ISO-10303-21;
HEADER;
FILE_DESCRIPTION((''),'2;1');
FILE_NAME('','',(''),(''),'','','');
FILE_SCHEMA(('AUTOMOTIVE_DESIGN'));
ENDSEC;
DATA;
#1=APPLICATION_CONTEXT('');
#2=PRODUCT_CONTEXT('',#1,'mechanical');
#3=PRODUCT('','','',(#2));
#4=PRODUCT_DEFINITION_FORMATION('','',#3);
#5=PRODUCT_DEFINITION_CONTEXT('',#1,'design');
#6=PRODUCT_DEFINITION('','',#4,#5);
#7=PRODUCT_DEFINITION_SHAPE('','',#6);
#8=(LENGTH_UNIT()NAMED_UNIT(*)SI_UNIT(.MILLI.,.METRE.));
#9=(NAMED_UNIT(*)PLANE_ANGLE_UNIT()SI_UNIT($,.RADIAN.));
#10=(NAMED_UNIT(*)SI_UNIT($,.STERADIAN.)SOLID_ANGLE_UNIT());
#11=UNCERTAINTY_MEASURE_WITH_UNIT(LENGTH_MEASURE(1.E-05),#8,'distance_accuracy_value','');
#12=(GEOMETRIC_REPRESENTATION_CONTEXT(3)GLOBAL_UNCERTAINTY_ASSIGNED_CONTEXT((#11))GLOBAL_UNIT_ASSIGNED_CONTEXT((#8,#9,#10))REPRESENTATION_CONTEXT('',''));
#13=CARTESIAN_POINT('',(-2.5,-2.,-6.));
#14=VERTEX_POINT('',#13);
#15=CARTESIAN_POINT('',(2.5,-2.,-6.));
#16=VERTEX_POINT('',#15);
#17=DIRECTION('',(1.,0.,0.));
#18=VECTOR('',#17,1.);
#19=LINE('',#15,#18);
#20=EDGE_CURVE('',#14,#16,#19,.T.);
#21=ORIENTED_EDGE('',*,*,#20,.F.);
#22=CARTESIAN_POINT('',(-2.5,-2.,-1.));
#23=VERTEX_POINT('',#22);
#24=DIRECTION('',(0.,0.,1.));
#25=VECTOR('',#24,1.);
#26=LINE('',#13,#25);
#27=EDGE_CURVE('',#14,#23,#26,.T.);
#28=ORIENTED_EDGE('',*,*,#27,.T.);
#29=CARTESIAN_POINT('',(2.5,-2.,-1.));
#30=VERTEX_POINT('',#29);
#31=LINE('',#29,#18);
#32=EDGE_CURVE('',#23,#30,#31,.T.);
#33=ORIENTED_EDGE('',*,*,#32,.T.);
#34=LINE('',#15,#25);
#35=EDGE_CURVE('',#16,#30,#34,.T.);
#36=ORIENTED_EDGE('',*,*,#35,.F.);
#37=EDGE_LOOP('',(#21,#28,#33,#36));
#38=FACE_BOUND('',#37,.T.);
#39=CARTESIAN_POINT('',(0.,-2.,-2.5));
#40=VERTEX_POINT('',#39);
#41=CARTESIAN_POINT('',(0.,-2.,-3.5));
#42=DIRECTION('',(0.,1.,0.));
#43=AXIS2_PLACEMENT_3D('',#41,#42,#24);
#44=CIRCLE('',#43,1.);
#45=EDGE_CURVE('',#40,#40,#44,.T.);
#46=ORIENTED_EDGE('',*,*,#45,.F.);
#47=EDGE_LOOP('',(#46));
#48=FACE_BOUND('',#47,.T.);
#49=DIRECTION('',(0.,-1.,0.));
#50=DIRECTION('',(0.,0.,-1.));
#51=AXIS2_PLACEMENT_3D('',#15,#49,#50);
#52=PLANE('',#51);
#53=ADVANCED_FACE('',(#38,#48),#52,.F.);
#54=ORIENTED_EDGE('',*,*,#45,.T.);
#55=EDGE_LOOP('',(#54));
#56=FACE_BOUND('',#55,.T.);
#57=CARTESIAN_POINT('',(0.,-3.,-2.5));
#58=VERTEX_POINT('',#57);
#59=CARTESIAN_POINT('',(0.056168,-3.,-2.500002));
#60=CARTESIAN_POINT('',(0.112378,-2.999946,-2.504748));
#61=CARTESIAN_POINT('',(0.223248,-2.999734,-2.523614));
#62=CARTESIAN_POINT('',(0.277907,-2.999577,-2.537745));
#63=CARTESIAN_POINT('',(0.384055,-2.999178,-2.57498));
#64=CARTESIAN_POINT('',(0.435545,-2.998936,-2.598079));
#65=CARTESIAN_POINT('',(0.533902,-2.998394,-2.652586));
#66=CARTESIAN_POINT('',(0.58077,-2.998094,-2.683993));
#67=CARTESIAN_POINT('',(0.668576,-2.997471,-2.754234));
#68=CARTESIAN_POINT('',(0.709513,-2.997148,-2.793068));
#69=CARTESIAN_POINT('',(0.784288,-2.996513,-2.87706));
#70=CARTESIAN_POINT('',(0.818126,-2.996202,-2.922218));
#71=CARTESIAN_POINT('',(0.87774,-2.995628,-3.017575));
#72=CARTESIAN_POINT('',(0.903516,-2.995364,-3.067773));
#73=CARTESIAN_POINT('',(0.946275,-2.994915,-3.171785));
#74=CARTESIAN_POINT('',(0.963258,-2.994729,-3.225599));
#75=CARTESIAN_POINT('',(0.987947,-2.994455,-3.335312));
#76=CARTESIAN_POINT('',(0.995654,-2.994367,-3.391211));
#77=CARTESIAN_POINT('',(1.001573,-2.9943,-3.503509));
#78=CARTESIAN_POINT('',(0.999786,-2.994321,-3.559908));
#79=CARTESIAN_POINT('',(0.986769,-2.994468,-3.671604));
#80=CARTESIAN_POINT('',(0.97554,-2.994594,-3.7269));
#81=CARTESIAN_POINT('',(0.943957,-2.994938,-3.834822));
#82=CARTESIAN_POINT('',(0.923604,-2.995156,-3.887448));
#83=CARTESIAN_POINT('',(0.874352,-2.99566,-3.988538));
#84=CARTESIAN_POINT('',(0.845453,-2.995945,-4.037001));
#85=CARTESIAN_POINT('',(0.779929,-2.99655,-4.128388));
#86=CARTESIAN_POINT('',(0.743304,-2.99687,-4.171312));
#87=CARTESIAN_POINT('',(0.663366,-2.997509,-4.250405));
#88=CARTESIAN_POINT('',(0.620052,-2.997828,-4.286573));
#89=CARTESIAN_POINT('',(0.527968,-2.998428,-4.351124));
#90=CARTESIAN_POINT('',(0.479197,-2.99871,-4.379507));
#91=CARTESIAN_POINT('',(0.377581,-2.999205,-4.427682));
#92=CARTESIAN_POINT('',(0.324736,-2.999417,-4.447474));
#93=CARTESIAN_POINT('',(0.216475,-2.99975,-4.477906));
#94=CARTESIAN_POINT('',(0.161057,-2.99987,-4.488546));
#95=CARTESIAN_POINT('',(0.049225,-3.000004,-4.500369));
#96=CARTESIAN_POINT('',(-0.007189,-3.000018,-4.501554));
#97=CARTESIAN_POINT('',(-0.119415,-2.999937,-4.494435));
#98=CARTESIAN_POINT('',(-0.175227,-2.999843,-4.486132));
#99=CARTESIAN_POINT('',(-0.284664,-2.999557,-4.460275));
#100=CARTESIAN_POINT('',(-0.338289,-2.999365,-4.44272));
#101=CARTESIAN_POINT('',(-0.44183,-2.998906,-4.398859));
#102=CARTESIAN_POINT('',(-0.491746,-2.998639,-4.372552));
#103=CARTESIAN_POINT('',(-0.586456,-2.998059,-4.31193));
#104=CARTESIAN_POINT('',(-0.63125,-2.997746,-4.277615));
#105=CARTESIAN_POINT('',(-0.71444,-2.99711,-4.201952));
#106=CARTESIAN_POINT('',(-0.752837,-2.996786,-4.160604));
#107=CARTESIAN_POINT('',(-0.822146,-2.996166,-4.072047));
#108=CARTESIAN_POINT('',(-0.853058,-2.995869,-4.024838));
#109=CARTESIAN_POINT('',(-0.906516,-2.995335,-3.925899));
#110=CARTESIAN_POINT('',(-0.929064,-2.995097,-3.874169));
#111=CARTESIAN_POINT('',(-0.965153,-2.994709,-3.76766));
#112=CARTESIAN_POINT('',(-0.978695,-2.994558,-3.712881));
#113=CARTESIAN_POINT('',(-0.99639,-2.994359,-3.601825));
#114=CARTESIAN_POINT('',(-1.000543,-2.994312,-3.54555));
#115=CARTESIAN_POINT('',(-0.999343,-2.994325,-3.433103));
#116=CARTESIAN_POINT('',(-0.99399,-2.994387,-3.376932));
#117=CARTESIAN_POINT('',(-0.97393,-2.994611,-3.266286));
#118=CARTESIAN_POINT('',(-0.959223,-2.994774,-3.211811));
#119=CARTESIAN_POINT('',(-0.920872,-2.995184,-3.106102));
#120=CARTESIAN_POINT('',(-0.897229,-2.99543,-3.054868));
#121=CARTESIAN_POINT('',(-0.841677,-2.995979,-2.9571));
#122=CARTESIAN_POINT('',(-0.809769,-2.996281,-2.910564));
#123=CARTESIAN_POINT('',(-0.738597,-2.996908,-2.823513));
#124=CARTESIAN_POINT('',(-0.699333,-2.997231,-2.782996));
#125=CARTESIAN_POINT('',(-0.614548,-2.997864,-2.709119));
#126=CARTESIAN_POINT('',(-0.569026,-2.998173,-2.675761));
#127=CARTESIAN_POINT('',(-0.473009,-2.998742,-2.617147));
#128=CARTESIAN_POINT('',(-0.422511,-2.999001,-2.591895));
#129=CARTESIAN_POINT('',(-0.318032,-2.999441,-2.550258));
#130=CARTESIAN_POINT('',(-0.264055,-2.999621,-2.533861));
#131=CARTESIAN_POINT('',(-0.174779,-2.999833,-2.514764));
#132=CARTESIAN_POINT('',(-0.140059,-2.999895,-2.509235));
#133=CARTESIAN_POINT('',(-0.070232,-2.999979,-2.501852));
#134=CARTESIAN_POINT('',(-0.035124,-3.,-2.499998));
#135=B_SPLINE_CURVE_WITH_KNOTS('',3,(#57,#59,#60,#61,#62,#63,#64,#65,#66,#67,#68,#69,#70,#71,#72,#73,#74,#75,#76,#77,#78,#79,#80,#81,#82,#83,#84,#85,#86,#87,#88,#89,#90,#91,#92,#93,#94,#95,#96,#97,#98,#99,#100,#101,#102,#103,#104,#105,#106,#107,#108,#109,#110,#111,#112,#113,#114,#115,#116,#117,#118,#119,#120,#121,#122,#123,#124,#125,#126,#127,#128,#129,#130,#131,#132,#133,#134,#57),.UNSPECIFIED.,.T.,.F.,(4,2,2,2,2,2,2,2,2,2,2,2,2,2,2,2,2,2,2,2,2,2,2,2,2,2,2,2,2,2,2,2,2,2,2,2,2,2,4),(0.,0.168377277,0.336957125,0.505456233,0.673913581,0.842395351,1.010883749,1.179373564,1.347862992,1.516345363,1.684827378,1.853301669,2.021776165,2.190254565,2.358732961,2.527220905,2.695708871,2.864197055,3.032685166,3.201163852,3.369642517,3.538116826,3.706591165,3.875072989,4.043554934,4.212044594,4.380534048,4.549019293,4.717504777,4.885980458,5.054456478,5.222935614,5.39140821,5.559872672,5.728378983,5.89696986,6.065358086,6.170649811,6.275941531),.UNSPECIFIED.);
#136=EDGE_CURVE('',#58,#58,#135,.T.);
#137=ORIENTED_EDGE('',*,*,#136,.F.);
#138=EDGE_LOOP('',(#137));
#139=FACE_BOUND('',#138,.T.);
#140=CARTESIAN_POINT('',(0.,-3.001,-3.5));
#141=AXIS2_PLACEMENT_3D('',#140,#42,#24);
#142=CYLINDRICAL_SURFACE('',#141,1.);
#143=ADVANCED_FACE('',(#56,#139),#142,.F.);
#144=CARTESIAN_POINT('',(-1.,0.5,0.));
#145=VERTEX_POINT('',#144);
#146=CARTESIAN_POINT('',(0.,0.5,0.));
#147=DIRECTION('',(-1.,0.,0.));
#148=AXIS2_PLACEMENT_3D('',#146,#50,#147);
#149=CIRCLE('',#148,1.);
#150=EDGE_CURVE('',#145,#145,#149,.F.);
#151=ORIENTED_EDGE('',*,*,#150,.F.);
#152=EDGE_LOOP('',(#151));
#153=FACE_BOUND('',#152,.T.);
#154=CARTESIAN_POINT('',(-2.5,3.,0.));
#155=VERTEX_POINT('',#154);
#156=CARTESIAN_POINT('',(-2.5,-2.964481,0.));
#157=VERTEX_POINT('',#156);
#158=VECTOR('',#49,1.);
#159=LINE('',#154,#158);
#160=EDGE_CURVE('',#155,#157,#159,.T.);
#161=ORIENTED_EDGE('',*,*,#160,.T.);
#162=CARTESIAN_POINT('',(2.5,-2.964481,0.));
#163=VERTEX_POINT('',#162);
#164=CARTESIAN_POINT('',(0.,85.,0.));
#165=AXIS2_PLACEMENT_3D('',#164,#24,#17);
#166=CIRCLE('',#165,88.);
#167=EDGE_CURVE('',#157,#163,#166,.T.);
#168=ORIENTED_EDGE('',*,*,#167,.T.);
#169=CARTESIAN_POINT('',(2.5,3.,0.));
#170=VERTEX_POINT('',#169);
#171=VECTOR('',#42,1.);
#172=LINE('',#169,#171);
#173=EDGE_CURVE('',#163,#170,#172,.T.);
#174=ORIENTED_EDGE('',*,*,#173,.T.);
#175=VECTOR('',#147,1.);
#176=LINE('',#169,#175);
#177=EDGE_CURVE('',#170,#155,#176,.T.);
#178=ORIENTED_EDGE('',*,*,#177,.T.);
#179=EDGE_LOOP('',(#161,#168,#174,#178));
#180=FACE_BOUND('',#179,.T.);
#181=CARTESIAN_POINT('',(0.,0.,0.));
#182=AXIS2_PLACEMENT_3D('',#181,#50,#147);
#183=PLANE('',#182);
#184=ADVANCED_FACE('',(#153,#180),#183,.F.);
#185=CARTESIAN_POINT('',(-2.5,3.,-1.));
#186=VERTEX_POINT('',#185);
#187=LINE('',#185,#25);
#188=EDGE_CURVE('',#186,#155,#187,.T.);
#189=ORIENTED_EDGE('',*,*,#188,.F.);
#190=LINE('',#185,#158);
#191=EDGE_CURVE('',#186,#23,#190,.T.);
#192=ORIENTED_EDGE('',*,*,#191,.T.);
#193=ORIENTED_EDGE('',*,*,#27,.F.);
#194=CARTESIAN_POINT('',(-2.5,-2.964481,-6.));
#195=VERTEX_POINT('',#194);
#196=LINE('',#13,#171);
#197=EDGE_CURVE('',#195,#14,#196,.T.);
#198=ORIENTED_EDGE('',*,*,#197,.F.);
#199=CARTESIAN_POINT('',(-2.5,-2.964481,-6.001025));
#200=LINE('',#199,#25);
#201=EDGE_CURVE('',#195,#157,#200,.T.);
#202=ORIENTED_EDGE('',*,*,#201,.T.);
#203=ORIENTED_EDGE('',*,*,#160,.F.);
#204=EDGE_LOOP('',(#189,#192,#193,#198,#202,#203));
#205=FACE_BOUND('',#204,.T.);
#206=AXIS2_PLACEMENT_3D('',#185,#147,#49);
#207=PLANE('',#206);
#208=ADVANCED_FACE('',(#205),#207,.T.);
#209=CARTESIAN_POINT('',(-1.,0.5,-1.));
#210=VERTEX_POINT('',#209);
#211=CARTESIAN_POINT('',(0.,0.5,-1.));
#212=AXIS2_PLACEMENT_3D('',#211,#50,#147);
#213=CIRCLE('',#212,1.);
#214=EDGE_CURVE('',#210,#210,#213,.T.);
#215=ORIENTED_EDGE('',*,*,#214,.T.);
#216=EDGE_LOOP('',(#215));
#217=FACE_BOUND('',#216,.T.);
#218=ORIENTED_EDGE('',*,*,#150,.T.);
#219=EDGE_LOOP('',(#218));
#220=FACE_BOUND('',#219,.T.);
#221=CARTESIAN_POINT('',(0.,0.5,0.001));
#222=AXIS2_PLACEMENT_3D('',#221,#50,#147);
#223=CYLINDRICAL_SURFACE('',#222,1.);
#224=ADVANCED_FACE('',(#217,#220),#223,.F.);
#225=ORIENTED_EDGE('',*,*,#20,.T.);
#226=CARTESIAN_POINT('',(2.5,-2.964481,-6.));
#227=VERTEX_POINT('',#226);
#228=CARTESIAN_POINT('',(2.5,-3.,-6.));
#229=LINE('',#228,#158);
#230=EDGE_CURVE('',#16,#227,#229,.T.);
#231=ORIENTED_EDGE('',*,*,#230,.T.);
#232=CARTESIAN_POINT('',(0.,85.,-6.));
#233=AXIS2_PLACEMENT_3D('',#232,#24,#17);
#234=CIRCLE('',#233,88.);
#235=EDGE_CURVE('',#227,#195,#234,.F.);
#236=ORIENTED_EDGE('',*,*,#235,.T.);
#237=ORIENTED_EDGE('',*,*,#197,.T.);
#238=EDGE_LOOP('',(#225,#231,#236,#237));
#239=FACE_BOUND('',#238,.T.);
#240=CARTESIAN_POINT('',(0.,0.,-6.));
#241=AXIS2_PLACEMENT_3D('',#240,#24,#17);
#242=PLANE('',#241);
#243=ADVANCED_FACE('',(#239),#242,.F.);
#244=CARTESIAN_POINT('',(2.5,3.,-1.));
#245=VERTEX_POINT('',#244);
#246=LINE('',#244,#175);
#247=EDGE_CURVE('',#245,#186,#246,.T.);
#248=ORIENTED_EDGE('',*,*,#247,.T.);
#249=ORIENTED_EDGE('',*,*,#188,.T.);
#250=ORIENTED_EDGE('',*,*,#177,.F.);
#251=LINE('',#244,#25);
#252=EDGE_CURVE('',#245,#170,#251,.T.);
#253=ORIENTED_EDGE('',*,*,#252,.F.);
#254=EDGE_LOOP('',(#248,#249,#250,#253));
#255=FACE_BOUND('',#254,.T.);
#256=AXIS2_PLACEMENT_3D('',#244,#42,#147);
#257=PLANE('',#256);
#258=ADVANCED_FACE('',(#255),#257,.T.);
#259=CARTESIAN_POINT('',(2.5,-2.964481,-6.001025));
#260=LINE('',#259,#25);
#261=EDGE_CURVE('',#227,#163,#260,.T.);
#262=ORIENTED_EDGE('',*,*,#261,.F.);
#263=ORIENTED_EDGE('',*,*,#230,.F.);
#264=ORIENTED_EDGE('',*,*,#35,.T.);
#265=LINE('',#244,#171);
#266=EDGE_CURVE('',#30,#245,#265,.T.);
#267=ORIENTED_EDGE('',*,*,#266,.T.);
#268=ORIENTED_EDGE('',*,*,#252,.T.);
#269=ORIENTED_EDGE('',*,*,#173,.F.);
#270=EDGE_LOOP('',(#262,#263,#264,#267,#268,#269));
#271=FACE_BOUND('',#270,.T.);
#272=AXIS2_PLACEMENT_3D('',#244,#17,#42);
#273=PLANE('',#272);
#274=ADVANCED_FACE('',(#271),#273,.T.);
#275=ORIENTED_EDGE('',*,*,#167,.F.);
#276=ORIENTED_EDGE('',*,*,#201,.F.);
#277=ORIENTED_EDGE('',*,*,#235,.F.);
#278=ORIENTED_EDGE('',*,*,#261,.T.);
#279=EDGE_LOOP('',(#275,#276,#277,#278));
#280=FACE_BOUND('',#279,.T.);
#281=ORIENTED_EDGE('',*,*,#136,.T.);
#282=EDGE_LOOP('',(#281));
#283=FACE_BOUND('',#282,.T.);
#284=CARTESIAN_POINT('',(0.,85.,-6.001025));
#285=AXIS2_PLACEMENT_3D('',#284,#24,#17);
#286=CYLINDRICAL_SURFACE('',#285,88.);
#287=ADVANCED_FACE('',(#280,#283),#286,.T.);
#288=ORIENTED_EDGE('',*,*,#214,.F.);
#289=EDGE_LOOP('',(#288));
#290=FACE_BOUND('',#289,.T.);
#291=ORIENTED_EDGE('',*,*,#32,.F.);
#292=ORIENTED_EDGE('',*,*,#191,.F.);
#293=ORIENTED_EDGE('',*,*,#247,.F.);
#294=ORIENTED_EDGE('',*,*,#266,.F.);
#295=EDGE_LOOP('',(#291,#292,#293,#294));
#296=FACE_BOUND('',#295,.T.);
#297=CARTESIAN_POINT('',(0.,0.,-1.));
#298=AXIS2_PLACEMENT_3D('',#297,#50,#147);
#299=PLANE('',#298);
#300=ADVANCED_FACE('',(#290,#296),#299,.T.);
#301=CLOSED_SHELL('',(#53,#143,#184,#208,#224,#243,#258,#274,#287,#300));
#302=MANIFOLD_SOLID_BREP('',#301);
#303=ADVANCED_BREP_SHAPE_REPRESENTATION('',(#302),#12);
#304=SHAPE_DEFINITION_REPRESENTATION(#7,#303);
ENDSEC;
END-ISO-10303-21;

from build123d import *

# Parameters (mm, degrees)
ESBO_O1_W                = 5
ESBO_O1_H                = 6
RESSALTO_EXTRUS_O1_DEPTH = 1
ESBO_O2_W                = 5
ESBO_O2_H                = 1
RESSALTO_EXTRUS_O2_DEPTH = 5
CORTE_EXTRUS_O1_REACH    = 8
CORTE_EXTRUS_O2_REACH    = 3
ESBO_O4_R                = 1
CORTE_EXTRUS_O3_REACH    = 3
ESBO_O5_R                = 1


with BuildPart() as part:
    # Esboço1 → Ressalto-extrusão1 (new body)
    with BuildSketch(Plane.XY):
        Rectangle(ESBO_O1_W, ESBO_O1_H)
    extrude(amount=-RESSALTO_EXTRUS_O1_DEPTH)

    # Esboço2 → Ressalto-extrusão2 (add)
    with BuildSketch(Plane(origin=(0, 0, -1), x_dir=(-1, 0, 0), z_dir=(0, 0, -1))):
        with Locations((0, -2.5)):
            Rectangle(ESBO_O2_W, ESBO_O2_H)
    extrude(amount=RESSALTO_EXTRUS_O2_DEPTH)

    # Esboço3 → Corte-extrusão1 (cut, up to next)
    with BuildSketch(Plane.XY, mode=Mode.PRIVATE) as corte_extrus_o1_sk1:
        with BuildLine():
            ThreePointArc((3.35e-07, -3), (-1.250125983, -2.991119921), (-2.5, -2.964481468))
            Line((-2.5, -2.964481468), (-2.5, -3))
            Line((-2.5, -3), (3.35e-07, -3))
        make_face()
    corte_extrus_o1_tool1 = extrude(corte_extrus_o1_sk1.sketch, amount=-CORTE_EXTRUS_O1_REACH, mode=Mode.PRIVATE) & part.part
    add(corte_extrus_o1_tool1.solids().sort_by_distance((-1.875025, -2.989345, 0))[0], mode=Mode.SUBTRACT)
    # Esboço3 → Corte-extrusão1 (cut, up to next)
    with BuildSketch(Plane.XY, mode=Mode.PRIVATE) as corte_extrus_o1_sk2:
        with BuildLine():
            Line((2.5, -3), (2.5, -2.964481468))
            ThreePointArc((2.5, -2.964481468), (1.250126318, -2.991119917), (3.35e-07, -3))
            Line((3.35e-07, -3), (2.5, -3))
        make_face()
    corte_extrus_o1_tool2 = extrude(corte_extrus_o1_sk2.sketch, amount=-CORTE_EXTRUS_O1_REACH, mode=Mode.PRIVATE) & part.part
    add(corte_extrus_o1_tool2.solids().sort_by_distance((1.875025, -2.989345, 0))[0], mode=Mode.SUBTRACT)

    # Esboço4 → Corte-extrusão2 (cut, up to next)
    with BuildSketch(Plane(origin=(0, -2, 0), x_dir=(1, 0, 0), z_dir=(0, 1, 0)), mode=Mode.PRIVATE) as corte_extrus_o2_sk1:
        with Locations((0, 3.5)):
            Circle(ESBO_O4_R)
    corte_extrus_o2_tool1 = extrude(corte_extrus_o2_sk1.sketch, amount=-CORTE_EXTRUS_O2_REACH, mode=Mode.PRIVATE) & part.part
    add(corte_extrus_o2_tool1.solids().sort_by_distance((0, -2, -3.5))[0], mode=Mode.SUBTRACT)

    # Esboço5 → Corte-extrusão3 (cut, up to next)
    with BuildSketch(Plane(origin=(0, 0, -1), x_dir=(-1, 0, 0), z_dir=(0, 0, -1)), mode=Mode.PRIVATE) as corte_extrus_o3_sk1:
        with Locations((0, 0.5)):
            Circle(ESBO_O5_R)
    corte_extrus_o3_tool1 = extrude(corte_extrus_o3_sk1.sketch, amount=-CORTE_EXTRUS_O3_REACH, mode=Mode.PRIVATE) & part.part
    add(corte_extrus_o3_tool1.solids().sort_by_distance((0, 0.5, -1))[0], mode=Mode.SUBTRACT)


solid = part.part
